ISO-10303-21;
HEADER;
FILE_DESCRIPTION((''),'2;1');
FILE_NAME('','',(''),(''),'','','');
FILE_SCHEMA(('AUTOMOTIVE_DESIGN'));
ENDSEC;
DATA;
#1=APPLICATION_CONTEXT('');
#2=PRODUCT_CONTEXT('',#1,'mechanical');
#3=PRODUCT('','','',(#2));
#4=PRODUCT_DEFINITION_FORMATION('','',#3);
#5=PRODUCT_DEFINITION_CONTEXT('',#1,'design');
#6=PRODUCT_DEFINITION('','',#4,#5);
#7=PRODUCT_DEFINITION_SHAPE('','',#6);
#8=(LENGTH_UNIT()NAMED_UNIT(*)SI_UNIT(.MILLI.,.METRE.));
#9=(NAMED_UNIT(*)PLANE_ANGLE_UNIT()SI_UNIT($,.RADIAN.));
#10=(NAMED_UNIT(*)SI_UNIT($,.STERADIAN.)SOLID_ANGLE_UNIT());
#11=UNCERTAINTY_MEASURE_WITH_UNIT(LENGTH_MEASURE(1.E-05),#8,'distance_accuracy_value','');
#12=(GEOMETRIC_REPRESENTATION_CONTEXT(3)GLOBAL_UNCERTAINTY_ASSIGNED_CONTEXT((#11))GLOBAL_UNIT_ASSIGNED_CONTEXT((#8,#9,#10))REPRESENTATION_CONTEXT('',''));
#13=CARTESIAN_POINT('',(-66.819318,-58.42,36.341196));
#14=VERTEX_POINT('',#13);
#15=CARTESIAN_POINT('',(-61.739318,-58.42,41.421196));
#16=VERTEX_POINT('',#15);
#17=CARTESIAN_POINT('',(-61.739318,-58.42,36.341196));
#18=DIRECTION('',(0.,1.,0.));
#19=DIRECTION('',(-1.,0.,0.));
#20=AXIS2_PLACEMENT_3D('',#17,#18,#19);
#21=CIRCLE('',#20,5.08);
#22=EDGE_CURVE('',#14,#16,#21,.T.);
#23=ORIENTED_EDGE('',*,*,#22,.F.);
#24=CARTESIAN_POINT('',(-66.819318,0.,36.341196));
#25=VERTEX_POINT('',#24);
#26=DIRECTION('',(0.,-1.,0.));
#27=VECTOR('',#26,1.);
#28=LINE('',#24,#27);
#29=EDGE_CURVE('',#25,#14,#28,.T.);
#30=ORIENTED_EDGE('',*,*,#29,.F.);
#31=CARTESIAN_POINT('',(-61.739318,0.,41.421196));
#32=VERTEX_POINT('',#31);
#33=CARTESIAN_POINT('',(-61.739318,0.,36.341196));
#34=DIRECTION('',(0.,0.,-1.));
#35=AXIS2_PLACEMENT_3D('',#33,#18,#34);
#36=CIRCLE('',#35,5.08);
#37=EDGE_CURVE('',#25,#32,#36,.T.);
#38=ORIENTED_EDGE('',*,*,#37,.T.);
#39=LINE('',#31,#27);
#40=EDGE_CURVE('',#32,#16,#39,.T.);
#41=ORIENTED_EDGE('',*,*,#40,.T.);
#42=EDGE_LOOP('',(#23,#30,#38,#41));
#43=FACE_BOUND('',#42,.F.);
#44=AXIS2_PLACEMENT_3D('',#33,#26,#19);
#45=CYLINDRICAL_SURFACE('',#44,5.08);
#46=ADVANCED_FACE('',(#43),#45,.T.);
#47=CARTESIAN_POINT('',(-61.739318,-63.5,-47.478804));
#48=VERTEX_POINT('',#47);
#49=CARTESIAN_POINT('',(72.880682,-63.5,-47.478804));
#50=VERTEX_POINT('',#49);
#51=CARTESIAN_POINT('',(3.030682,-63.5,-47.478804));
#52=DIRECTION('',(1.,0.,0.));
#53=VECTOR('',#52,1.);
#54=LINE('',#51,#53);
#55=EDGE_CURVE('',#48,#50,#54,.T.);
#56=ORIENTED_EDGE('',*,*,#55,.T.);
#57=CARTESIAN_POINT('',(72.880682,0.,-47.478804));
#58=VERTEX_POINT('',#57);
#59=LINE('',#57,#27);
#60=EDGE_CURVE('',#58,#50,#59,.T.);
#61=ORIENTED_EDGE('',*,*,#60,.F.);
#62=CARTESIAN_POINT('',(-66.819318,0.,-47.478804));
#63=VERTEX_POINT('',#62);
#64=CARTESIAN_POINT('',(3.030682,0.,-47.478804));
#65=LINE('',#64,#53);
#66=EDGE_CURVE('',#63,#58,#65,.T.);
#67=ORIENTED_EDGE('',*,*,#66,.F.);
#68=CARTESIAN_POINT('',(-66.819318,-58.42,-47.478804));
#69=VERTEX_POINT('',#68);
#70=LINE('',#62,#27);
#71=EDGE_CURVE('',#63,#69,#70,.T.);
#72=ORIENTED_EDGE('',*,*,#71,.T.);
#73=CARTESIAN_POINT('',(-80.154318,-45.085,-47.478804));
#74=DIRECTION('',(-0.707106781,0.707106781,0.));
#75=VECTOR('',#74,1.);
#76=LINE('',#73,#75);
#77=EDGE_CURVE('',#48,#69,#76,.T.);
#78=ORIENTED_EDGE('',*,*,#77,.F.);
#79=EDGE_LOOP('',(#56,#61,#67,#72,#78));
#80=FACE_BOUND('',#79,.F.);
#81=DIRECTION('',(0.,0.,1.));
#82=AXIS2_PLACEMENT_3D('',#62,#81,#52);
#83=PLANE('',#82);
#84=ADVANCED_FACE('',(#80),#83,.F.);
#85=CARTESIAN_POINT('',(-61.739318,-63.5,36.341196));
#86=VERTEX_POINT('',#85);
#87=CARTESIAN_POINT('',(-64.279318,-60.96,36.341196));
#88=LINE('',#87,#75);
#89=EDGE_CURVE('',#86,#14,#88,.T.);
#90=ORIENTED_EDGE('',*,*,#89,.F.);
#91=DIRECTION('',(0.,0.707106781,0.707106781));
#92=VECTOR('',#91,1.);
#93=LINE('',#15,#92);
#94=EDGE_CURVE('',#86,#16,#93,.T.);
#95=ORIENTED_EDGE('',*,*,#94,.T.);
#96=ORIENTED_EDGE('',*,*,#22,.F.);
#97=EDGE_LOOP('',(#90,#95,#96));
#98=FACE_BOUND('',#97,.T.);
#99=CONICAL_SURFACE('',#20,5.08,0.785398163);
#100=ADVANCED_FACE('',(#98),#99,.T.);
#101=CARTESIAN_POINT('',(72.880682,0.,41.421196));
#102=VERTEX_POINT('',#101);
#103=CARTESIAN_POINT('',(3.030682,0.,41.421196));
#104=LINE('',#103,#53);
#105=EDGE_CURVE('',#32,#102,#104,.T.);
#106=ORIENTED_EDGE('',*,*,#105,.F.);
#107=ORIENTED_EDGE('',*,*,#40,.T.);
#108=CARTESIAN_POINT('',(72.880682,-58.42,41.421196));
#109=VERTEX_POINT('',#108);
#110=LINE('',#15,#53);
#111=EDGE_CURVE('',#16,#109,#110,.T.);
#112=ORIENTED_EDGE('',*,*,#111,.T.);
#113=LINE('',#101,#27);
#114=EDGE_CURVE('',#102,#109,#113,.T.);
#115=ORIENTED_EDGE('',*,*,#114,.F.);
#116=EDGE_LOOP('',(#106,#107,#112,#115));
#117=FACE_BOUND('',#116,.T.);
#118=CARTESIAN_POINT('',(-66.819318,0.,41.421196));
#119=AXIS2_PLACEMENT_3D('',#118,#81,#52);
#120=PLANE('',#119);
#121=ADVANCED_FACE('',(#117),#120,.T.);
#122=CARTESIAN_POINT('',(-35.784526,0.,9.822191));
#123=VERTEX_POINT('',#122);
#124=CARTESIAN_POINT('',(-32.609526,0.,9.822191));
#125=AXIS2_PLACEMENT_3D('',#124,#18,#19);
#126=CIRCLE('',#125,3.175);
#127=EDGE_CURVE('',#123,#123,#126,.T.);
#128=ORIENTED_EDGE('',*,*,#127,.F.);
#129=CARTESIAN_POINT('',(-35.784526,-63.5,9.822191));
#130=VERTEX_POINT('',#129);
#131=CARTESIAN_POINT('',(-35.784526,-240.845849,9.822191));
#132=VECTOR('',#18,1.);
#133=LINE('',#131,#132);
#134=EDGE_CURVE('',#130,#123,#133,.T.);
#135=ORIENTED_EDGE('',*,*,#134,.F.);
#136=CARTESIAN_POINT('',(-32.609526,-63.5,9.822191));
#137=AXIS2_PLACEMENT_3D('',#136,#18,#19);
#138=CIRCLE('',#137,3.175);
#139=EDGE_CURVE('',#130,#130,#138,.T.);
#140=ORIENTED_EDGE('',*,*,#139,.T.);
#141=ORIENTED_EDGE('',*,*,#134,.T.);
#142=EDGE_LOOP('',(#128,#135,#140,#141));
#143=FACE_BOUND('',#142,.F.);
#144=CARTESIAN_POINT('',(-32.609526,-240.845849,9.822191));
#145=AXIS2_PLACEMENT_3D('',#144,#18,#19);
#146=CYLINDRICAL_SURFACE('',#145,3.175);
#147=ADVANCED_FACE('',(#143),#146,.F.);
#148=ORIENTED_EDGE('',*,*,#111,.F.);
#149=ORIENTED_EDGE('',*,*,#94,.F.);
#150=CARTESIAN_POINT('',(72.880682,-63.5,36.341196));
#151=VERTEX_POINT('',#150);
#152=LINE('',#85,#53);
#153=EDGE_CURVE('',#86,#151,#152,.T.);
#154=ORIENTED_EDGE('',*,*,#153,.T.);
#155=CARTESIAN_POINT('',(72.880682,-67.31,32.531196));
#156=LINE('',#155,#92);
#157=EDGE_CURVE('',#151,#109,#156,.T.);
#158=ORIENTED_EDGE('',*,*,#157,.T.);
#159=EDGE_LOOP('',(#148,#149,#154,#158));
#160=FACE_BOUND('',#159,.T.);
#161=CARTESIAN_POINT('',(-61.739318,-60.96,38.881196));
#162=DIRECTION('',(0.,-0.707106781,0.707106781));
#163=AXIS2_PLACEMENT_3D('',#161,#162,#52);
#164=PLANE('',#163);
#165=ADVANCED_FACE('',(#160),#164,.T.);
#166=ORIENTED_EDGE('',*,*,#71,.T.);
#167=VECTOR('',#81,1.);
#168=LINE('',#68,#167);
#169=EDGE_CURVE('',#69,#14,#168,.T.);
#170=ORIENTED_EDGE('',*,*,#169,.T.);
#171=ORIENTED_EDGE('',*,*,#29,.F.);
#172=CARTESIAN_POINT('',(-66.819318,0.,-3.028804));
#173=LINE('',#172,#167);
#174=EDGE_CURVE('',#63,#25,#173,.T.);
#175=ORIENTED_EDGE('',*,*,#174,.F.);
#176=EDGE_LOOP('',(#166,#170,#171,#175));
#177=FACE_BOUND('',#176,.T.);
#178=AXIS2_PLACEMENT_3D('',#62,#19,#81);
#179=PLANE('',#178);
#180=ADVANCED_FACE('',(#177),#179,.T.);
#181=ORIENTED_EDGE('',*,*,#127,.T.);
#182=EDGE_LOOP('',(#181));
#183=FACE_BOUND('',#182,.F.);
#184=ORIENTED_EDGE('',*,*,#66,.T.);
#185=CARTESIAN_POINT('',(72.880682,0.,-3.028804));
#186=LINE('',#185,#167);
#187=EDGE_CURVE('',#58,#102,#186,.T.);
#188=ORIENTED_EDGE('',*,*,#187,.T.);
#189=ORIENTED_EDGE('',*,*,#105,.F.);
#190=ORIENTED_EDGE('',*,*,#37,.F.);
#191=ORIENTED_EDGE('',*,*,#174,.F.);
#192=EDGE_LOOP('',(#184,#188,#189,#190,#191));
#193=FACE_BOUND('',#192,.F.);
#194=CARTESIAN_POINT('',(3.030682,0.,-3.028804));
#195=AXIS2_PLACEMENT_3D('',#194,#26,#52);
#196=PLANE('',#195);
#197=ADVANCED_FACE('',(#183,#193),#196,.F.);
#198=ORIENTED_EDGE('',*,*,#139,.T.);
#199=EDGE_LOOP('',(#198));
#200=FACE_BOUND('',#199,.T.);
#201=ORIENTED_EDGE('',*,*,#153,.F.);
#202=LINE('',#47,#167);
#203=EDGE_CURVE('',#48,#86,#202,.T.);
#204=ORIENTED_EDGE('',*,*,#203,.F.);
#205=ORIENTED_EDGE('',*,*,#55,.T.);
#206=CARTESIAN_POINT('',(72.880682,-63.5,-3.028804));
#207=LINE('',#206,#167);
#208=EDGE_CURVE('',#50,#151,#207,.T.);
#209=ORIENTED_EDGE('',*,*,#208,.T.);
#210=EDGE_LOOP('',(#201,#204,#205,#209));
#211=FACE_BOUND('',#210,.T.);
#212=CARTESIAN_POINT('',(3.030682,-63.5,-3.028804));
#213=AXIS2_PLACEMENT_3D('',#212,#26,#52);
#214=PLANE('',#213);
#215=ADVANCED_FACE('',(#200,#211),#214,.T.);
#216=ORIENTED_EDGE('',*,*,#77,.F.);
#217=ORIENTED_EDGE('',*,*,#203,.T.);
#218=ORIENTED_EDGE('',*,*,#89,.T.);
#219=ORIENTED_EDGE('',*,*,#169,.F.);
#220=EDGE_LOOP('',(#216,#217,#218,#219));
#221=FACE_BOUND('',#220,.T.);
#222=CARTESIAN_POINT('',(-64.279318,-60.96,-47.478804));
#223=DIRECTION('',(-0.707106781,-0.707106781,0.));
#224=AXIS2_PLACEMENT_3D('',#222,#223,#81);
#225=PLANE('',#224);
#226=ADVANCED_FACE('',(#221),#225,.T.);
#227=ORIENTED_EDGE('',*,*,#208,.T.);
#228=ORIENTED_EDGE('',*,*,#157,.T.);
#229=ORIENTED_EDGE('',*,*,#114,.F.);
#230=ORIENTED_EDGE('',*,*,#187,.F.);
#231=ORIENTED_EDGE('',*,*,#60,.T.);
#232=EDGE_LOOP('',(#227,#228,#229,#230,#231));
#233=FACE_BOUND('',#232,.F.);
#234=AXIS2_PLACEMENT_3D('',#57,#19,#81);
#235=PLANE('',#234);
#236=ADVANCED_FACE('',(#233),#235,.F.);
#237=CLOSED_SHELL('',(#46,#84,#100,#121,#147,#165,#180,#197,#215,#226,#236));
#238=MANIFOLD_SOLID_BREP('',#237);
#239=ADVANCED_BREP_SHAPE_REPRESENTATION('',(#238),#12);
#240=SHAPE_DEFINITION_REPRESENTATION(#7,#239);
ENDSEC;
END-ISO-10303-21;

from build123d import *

# Parameters (mm, degrees)
F0_W     = 139.7
F0_H     = 88.9
F1_DEPTH = 63.5
F2_R     = 5.08
F3_SIZE  = 5.08
F5_D     = 6.35


with BuildPart() as f1:
    # F0 (on Front) → F1 (new body)
    with BuildSketch(Plane.XZ):
        with Locations((3.030682, -3.028804)):
            Rectangle(F0_W, F0_H)
    extrude(amount=F1_DEPTH)

    # F2
    f2_edges = [f1.edges().sort_by_distance(p)[0] for p in [
        (-66.819318, -31.75, 41.421196),
    ]]
    fillet(f2_edges, radius=F2_R)

    # F3
    f3_edges = [f1.edges().sort_by_distance(p)[0] for p in [
        (5.570682, -63.5, 41.421196),
    ]]
    chamfer(f3_edges, length=F3_SIZE)

    # F5 (through all)
    with Locations(Plane.XZ.offset(63.5)):
        with Locations((-32.609526, 9.822191)):
            Hole(F5_D / 2)


solid = f1.part
